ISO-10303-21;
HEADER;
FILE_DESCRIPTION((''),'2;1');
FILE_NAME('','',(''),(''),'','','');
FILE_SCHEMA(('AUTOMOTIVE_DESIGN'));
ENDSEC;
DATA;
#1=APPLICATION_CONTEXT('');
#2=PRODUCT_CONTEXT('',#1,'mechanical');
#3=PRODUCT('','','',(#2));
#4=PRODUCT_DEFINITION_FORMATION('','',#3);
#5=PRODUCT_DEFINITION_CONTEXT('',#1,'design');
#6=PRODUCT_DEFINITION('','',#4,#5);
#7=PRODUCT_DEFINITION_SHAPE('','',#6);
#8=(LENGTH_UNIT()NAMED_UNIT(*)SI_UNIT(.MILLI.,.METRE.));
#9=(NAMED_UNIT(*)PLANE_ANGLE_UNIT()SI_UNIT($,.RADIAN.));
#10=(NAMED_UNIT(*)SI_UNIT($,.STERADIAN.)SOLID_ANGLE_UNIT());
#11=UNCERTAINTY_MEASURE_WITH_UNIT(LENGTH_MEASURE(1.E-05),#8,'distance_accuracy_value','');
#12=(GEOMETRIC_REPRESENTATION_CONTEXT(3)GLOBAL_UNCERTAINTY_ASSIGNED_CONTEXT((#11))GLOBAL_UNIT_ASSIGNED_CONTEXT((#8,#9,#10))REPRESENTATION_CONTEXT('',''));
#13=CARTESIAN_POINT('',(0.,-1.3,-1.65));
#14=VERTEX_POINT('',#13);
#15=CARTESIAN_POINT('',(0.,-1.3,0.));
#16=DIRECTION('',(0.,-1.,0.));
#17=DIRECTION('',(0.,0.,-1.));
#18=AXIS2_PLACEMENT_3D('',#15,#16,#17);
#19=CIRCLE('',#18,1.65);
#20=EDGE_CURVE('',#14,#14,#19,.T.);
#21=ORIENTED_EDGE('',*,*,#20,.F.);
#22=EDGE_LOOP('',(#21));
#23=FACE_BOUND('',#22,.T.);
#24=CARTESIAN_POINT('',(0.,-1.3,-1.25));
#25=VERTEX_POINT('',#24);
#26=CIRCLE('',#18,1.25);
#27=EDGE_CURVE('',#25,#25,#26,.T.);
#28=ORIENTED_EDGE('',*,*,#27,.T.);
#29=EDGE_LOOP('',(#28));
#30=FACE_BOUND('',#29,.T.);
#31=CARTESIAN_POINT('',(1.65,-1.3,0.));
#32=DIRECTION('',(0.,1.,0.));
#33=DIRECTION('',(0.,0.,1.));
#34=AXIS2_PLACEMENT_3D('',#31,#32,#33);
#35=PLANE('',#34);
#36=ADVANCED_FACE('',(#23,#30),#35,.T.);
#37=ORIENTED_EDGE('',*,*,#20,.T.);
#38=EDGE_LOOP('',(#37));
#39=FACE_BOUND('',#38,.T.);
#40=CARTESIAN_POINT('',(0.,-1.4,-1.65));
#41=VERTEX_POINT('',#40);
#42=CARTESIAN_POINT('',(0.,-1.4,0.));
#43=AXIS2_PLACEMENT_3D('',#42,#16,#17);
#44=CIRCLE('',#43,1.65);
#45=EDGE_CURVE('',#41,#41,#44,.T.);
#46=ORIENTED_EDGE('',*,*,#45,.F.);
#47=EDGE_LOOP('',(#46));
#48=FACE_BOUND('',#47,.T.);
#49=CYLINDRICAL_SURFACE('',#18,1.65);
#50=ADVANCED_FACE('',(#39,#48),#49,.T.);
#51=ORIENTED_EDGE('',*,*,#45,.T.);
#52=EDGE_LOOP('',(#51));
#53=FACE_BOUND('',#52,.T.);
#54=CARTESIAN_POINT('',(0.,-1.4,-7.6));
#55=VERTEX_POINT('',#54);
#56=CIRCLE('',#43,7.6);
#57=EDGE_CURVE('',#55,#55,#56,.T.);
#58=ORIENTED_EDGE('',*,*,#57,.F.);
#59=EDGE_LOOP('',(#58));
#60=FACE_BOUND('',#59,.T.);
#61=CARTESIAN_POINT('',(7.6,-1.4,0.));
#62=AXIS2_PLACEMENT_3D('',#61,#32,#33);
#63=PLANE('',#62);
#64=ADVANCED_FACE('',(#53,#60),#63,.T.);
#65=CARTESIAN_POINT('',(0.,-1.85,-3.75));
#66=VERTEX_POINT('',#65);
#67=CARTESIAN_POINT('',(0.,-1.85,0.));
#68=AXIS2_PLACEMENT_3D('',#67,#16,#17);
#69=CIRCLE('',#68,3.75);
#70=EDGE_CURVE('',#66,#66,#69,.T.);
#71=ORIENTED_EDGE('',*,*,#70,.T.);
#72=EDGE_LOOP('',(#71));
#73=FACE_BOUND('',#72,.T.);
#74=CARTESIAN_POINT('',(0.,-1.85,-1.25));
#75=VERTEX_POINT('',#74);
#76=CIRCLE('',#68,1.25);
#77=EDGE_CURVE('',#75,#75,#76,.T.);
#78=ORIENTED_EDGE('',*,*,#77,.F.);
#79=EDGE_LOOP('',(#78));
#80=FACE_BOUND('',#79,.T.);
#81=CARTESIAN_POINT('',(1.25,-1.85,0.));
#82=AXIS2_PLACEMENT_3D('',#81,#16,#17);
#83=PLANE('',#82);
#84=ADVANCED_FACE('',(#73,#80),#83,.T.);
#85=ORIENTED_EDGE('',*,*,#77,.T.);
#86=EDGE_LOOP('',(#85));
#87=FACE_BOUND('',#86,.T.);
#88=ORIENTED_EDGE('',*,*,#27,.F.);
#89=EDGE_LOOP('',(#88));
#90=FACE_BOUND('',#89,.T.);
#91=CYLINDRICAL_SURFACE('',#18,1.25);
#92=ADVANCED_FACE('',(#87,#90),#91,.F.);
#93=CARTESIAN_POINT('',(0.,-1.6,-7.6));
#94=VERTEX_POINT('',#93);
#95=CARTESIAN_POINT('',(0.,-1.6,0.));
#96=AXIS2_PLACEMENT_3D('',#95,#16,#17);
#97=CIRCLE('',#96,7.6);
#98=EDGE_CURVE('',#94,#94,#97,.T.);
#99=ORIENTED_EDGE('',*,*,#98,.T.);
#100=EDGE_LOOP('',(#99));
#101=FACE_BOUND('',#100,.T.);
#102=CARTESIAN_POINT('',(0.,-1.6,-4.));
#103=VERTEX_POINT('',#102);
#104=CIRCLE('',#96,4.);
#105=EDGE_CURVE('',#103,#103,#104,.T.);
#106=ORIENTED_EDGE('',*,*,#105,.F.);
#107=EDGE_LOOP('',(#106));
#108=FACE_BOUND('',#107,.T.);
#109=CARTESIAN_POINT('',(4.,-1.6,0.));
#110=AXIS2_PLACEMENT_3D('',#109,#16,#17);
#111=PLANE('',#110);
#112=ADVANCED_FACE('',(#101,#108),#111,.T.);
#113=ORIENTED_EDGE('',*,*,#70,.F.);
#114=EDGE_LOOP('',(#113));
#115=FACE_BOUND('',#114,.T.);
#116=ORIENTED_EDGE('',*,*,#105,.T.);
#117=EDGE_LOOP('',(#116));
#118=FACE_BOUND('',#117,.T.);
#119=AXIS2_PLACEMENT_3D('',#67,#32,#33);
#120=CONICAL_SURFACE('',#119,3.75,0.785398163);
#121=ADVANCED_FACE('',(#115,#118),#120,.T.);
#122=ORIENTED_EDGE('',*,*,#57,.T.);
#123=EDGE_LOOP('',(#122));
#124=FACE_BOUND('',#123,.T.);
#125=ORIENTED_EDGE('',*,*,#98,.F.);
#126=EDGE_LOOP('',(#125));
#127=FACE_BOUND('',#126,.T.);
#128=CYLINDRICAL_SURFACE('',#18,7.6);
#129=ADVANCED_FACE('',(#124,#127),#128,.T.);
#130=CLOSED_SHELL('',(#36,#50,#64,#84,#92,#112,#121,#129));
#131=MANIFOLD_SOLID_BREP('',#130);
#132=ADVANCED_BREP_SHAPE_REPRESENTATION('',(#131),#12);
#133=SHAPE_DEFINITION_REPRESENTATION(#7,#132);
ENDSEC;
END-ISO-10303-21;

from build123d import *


with BuildPart() as part:
    # Sketch1 → Revolve1 (revolve)
    with BuildSketch(Plane.XY):
        Polygon((4, -1.6), (7.6, -1.6), (7.6, -1.4), (1.65, -1.4), (1.65, -1.3), (1.25, -1.3), (1.25, -1.85), (3.75, -1.85), align=None)
    revolve(axis=Axis((0, -1.3, 0), (0, -1, 0)))


solid = part.part
